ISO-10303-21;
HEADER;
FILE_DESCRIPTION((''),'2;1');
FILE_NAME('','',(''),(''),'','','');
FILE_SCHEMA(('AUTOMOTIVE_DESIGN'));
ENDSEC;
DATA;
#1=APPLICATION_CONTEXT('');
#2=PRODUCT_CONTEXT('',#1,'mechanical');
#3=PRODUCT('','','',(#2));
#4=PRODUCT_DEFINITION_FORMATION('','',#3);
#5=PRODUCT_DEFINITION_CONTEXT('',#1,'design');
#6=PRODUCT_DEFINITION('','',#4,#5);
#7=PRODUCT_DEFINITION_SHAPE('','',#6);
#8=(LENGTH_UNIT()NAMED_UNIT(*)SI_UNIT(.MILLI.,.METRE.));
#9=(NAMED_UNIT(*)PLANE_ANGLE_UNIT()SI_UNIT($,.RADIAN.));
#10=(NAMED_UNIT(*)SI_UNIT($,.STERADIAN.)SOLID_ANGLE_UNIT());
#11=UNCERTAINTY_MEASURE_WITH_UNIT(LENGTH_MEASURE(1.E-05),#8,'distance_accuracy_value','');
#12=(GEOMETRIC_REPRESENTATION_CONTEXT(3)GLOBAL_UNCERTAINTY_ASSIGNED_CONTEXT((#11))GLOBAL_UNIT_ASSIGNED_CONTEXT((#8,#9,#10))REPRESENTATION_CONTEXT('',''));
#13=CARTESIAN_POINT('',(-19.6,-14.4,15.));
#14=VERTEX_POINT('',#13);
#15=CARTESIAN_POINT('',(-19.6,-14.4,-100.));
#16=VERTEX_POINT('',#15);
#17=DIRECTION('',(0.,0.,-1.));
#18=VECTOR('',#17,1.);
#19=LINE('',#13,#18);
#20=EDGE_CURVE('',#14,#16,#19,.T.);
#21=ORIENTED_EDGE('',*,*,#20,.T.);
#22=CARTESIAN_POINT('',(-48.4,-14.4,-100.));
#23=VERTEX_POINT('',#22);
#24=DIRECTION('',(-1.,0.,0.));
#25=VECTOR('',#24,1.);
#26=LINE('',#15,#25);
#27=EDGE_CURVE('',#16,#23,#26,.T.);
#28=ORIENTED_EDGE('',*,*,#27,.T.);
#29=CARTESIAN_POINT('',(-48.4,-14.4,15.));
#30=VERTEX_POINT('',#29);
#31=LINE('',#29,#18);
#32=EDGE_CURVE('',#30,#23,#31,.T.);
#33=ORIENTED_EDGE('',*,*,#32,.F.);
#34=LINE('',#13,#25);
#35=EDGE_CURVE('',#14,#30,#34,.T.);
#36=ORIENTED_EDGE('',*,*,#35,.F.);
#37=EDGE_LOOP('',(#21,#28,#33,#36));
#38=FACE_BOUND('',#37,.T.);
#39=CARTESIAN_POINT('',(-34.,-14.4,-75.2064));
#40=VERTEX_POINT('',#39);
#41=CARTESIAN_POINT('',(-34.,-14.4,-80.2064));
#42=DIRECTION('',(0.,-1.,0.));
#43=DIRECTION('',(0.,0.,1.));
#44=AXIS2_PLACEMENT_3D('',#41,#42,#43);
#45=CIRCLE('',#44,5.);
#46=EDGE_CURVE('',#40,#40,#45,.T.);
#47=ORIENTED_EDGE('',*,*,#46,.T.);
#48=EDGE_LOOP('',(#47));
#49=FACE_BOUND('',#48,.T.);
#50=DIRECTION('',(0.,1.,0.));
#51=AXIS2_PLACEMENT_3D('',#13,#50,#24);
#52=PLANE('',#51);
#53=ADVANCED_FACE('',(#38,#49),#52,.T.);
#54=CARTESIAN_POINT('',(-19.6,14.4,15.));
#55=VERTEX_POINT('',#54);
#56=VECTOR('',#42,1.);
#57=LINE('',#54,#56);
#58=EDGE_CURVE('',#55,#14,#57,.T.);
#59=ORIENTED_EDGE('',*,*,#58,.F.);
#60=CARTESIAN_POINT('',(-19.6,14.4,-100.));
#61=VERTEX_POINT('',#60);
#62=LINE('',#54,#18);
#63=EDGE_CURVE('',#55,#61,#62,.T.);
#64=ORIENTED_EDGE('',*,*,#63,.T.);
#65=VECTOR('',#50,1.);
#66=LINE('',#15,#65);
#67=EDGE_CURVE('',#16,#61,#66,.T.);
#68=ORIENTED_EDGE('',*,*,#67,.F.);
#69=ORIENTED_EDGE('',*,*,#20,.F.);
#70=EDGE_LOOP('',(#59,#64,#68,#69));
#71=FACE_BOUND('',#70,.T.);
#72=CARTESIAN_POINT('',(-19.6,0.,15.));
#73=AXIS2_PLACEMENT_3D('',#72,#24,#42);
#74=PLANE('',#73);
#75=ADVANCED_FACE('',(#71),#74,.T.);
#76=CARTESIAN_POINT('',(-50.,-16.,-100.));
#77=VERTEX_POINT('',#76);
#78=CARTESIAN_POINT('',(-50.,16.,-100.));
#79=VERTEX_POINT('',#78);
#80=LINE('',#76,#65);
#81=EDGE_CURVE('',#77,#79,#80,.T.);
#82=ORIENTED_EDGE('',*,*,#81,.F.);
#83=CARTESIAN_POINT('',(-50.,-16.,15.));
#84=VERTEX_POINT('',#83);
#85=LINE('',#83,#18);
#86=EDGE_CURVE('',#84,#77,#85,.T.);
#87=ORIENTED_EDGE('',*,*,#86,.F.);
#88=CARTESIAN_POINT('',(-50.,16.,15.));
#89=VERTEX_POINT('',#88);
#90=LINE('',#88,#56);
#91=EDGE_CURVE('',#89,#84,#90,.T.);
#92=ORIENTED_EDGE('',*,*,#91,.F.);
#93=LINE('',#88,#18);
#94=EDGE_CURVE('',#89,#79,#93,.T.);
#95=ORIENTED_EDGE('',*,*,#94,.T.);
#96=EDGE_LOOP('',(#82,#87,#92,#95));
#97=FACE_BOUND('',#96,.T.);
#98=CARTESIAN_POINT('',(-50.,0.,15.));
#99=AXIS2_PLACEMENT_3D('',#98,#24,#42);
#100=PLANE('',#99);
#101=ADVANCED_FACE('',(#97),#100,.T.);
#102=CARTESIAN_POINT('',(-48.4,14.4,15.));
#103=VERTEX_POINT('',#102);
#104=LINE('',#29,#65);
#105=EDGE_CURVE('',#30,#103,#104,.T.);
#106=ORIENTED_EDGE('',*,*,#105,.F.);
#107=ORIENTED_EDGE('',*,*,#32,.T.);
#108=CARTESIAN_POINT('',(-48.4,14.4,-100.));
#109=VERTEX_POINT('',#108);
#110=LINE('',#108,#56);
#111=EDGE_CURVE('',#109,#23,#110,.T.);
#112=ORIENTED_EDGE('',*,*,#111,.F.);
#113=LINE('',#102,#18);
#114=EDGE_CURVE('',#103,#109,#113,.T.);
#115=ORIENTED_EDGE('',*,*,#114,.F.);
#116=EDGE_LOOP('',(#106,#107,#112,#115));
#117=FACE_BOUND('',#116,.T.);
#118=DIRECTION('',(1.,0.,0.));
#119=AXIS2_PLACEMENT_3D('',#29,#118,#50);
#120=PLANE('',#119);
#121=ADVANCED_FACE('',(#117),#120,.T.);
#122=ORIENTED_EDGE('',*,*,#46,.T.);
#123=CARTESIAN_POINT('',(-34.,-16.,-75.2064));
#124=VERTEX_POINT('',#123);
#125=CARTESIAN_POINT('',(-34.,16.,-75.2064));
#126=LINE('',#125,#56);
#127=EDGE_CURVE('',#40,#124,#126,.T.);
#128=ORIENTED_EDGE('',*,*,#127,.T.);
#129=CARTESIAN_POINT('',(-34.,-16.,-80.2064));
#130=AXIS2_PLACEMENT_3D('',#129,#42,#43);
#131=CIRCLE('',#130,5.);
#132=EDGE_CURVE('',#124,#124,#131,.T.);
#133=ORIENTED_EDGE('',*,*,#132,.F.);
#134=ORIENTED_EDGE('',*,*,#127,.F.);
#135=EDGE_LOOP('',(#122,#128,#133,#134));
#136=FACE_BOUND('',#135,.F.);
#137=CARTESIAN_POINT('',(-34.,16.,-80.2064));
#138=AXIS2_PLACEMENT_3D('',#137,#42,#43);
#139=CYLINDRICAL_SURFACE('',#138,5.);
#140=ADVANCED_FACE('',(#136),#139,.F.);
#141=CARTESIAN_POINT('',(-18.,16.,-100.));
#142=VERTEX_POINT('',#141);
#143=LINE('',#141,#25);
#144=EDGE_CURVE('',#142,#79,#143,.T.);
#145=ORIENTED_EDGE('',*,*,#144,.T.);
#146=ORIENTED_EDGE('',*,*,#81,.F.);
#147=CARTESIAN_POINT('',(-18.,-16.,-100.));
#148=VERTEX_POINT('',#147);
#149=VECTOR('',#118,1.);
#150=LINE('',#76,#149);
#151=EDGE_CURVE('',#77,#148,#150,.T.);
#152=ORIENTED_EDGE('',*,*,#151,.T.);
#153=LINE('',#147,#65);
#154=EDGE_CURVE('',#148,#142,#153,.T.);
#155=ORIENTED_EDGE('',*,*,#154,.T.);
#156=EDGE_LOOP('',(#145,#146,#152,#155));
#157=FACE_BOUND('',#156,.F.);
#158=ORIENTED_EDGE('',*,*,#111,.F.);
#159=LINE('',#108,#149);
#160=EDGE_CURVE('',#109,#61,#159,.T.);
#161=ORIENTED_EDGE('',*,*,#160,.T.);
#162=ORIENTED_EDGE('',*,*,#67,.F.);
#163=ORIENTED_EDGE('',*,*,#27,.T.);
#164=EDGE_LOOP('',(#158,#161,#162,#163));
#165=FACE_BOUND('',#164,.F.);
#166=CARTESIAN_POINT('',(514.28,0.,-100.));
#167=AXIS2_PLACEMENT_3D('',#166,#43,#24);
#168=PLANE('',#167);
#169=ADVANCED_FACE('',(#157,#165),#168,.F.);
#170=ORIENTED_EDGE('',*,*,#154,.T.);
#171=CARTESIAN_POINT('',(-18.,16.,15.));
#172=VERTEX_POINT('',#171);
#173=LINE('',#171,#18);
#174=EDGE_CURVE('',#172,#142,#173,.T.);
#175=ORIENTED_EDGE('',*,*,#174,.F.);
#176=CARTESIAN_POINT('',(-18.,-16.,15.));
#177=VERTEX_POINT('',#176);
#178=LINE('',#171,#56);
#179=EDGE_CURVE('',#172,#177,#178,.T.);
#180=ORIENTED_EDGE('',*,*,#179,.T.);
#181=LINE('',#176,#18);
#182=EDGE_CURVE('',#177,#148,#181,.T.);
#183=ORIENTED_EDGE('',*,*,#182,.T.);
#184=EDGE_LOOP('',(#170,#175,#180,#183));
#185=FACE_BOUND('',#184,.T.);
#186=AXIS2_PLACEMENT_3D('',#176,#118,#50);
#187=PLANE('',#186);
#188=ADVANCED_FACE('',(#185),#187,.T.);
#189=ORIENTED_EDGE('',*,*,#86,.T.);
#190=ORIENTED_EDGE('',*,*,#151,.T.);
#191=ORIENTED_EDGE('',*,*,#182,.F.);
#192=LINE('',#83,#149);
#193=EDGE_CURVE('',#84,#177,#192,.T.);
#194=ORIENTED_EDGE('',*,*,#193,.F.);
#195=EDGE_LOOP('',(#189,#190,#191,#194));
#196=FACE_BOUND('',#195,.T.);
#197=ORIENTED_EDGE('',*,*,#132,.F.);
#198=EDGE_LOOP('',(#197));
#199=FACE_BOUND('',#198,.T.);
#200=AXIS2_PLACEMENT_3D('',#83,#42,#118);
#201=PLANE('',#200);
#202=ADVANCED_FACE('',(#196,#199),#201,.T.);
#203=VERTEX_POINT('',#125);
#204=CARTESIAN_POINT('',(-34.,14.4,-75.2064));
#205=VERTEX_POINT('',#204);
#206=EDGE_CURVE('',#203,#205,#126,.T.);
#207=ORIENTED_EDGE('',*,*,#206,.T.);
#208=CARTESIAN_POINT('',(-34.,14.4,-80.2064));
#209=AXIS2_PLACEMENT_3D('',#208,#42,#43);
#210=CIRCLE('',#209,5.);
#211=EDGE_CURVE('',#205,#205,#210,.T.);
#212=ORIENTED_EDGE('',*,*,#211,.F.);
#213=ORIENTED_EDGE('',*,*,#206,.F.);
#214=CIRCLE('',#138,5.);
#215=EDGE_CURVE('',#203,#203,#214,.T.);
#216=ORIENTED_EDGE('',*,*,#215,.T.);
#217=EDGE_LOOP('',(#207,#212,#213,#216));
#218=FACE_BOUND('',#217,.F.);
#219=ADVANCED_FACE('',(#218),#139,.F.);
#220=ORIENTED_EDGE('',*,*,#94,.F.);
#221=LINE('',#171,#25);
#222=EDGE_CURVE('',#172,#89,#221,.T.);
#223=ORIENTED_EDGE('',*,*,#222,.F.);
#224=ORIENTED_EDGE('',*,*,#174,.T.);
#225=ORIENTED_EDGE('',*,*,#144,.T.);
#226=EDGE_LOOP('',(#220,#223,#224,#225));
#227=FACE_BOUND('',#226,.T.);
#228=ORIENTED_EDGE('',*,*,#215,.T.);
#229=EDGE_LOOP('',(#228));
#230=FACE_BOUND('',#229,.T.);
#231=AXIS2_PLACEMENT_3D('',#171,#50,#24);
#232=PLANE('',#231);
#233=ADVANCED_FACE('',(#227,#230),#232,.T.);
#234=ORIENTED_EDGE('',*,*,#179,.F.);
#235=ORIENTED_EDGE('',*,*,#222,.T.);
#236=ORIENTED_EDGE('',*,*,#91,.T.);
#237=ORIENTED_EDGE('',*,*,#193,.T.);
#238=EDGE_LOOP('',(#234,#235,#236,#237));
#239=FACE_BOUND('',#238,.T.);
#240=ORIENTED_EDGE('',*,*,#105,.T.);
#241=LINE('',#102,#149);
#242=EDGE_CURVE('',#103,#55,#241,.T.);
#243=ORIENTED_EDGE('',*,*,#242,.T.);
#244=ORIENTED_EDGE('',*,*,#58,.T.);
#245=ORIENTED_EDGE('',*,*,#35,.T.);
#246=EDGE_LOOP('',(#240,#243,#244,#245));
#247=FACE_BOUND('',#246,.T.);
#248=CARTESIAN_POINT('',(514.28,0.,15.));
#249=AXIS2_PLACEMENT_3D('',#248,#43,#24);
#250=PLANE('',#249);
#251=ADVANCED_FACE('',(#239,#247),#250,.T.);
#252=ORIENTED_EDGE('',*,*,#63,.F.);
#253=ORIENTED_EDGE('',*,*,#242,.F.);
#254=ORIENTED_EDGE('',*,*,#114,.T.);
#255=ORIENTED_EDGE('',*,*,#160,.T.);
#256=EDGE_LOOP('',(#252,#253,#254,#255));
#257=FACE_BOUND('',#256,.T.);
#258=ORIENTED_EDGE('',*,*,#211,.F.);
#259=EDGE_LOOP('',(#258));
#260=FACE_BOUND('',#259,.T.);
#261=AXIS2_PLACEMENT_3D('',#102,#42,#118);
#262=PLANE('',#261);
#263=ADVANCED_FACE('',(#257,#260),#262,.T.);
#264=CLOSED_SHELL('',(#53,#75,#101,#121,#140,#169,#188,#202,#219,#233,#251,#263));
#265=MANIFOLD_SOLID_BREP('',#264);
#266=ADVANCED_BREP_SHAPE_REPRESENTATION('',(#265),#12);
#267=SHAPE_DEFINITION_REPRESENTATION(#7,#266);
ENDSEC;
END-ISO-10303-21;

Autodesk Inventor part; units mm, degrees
ref_plane "YZ Plane" through (0, 0, 0) normal (1, 0, 0) x (0, 1, 0)
ref_plane "XZ Plane" through (0, 0, 0) normal (0, 1, 0) x (-1, 0, 0)
sketch "スケッチ1" plane through (0, 0, 0) normal (0, 1, 0) x (-1, 0, 0)
  line L0 (-901.8, 0) -> (67, 0)
  line L1 (-417.4, -1177.3333) -> (67, 0)
  line L2 (50, -15) -> (50, 15)
  line L3 (24, 15) -> (24, -15)
  line L4 (24, -15) -> (84, -15)
  line L5 (84, 15) -> (84, -15)
  line L6 (-514.28, 15) -> (163.88, 15)
  line L7 (34, 15) -> (34, -80.2064)
  point P0 (0, 0)
  dimension "d0" = 16
ref_plane "作業平面1" through (514.28, 0, 15) normal (0, 0, 1) x (-1, 0, 0)
sketch "スケッチ2" plane through (514.28, 0, 15) normal (0, 0, 1) x (-1, 0, 0)
  line L0 (0, 0) -> (678.16, 0) projected
  line L1 (532.28, -16) -> (564.28, -16)
  line L2 (564.28, -16) -> (564.28, 16)
  line L3 (564.28, 16) -> (532.28, 16)
  line L4 (532.28, 16) -> (532.28, -16)
  line L5 (532.28, -16) -> (564.28, 16) construction
  line L6 (564.28, -16) -> (532.28, 16) construction
  line L7 (562.68, -14.4) -> (533.88, -14.4)
  line L8 (533.88, -14.4) -> (533.88, 14.4)
  line L9 (533.88, 14.4) -> (562.68, 14.4)
  line L10 (562.68, 14.4) -> (562.68, -14.4)
  point P0 (514.28, 0)
  point P1 (564.28, 0)
  point P2 (564.28, 0)
  point P3 (564.28, 0)
  point P4 (548.28, 0)
  point P5 (548.28, 0)
  point P6 (548.28, 0)
  dimension "d2" = 32
  dimension "d3" = 1.6
extrude "押し出し1" add sketch "スケッチ2" against normal blind 115 contours L4 L3 L2 L0 L10 L9 L8 | L0 L8 L7 L10 L2 L1 L4
sketch "スケッチ3" plane through (-50, 16, 15) normal (0, 1, 0) x (1, 0, 0)
  line L0 (467.4, 1192.3333) -> (-17, 15) projected
  line L1 (951.8, 15) -> (-17, 15) projected
  line L2 (16, 0) -> (16, 95.2064) projected
  point P0 (50, 15)
  point P1 (16, 95.2064)
hole "穴1" at (-34, 16, -80.2064) direction (0, -1, 0) diameter 10 end through all
properties part number "ステア棒"
